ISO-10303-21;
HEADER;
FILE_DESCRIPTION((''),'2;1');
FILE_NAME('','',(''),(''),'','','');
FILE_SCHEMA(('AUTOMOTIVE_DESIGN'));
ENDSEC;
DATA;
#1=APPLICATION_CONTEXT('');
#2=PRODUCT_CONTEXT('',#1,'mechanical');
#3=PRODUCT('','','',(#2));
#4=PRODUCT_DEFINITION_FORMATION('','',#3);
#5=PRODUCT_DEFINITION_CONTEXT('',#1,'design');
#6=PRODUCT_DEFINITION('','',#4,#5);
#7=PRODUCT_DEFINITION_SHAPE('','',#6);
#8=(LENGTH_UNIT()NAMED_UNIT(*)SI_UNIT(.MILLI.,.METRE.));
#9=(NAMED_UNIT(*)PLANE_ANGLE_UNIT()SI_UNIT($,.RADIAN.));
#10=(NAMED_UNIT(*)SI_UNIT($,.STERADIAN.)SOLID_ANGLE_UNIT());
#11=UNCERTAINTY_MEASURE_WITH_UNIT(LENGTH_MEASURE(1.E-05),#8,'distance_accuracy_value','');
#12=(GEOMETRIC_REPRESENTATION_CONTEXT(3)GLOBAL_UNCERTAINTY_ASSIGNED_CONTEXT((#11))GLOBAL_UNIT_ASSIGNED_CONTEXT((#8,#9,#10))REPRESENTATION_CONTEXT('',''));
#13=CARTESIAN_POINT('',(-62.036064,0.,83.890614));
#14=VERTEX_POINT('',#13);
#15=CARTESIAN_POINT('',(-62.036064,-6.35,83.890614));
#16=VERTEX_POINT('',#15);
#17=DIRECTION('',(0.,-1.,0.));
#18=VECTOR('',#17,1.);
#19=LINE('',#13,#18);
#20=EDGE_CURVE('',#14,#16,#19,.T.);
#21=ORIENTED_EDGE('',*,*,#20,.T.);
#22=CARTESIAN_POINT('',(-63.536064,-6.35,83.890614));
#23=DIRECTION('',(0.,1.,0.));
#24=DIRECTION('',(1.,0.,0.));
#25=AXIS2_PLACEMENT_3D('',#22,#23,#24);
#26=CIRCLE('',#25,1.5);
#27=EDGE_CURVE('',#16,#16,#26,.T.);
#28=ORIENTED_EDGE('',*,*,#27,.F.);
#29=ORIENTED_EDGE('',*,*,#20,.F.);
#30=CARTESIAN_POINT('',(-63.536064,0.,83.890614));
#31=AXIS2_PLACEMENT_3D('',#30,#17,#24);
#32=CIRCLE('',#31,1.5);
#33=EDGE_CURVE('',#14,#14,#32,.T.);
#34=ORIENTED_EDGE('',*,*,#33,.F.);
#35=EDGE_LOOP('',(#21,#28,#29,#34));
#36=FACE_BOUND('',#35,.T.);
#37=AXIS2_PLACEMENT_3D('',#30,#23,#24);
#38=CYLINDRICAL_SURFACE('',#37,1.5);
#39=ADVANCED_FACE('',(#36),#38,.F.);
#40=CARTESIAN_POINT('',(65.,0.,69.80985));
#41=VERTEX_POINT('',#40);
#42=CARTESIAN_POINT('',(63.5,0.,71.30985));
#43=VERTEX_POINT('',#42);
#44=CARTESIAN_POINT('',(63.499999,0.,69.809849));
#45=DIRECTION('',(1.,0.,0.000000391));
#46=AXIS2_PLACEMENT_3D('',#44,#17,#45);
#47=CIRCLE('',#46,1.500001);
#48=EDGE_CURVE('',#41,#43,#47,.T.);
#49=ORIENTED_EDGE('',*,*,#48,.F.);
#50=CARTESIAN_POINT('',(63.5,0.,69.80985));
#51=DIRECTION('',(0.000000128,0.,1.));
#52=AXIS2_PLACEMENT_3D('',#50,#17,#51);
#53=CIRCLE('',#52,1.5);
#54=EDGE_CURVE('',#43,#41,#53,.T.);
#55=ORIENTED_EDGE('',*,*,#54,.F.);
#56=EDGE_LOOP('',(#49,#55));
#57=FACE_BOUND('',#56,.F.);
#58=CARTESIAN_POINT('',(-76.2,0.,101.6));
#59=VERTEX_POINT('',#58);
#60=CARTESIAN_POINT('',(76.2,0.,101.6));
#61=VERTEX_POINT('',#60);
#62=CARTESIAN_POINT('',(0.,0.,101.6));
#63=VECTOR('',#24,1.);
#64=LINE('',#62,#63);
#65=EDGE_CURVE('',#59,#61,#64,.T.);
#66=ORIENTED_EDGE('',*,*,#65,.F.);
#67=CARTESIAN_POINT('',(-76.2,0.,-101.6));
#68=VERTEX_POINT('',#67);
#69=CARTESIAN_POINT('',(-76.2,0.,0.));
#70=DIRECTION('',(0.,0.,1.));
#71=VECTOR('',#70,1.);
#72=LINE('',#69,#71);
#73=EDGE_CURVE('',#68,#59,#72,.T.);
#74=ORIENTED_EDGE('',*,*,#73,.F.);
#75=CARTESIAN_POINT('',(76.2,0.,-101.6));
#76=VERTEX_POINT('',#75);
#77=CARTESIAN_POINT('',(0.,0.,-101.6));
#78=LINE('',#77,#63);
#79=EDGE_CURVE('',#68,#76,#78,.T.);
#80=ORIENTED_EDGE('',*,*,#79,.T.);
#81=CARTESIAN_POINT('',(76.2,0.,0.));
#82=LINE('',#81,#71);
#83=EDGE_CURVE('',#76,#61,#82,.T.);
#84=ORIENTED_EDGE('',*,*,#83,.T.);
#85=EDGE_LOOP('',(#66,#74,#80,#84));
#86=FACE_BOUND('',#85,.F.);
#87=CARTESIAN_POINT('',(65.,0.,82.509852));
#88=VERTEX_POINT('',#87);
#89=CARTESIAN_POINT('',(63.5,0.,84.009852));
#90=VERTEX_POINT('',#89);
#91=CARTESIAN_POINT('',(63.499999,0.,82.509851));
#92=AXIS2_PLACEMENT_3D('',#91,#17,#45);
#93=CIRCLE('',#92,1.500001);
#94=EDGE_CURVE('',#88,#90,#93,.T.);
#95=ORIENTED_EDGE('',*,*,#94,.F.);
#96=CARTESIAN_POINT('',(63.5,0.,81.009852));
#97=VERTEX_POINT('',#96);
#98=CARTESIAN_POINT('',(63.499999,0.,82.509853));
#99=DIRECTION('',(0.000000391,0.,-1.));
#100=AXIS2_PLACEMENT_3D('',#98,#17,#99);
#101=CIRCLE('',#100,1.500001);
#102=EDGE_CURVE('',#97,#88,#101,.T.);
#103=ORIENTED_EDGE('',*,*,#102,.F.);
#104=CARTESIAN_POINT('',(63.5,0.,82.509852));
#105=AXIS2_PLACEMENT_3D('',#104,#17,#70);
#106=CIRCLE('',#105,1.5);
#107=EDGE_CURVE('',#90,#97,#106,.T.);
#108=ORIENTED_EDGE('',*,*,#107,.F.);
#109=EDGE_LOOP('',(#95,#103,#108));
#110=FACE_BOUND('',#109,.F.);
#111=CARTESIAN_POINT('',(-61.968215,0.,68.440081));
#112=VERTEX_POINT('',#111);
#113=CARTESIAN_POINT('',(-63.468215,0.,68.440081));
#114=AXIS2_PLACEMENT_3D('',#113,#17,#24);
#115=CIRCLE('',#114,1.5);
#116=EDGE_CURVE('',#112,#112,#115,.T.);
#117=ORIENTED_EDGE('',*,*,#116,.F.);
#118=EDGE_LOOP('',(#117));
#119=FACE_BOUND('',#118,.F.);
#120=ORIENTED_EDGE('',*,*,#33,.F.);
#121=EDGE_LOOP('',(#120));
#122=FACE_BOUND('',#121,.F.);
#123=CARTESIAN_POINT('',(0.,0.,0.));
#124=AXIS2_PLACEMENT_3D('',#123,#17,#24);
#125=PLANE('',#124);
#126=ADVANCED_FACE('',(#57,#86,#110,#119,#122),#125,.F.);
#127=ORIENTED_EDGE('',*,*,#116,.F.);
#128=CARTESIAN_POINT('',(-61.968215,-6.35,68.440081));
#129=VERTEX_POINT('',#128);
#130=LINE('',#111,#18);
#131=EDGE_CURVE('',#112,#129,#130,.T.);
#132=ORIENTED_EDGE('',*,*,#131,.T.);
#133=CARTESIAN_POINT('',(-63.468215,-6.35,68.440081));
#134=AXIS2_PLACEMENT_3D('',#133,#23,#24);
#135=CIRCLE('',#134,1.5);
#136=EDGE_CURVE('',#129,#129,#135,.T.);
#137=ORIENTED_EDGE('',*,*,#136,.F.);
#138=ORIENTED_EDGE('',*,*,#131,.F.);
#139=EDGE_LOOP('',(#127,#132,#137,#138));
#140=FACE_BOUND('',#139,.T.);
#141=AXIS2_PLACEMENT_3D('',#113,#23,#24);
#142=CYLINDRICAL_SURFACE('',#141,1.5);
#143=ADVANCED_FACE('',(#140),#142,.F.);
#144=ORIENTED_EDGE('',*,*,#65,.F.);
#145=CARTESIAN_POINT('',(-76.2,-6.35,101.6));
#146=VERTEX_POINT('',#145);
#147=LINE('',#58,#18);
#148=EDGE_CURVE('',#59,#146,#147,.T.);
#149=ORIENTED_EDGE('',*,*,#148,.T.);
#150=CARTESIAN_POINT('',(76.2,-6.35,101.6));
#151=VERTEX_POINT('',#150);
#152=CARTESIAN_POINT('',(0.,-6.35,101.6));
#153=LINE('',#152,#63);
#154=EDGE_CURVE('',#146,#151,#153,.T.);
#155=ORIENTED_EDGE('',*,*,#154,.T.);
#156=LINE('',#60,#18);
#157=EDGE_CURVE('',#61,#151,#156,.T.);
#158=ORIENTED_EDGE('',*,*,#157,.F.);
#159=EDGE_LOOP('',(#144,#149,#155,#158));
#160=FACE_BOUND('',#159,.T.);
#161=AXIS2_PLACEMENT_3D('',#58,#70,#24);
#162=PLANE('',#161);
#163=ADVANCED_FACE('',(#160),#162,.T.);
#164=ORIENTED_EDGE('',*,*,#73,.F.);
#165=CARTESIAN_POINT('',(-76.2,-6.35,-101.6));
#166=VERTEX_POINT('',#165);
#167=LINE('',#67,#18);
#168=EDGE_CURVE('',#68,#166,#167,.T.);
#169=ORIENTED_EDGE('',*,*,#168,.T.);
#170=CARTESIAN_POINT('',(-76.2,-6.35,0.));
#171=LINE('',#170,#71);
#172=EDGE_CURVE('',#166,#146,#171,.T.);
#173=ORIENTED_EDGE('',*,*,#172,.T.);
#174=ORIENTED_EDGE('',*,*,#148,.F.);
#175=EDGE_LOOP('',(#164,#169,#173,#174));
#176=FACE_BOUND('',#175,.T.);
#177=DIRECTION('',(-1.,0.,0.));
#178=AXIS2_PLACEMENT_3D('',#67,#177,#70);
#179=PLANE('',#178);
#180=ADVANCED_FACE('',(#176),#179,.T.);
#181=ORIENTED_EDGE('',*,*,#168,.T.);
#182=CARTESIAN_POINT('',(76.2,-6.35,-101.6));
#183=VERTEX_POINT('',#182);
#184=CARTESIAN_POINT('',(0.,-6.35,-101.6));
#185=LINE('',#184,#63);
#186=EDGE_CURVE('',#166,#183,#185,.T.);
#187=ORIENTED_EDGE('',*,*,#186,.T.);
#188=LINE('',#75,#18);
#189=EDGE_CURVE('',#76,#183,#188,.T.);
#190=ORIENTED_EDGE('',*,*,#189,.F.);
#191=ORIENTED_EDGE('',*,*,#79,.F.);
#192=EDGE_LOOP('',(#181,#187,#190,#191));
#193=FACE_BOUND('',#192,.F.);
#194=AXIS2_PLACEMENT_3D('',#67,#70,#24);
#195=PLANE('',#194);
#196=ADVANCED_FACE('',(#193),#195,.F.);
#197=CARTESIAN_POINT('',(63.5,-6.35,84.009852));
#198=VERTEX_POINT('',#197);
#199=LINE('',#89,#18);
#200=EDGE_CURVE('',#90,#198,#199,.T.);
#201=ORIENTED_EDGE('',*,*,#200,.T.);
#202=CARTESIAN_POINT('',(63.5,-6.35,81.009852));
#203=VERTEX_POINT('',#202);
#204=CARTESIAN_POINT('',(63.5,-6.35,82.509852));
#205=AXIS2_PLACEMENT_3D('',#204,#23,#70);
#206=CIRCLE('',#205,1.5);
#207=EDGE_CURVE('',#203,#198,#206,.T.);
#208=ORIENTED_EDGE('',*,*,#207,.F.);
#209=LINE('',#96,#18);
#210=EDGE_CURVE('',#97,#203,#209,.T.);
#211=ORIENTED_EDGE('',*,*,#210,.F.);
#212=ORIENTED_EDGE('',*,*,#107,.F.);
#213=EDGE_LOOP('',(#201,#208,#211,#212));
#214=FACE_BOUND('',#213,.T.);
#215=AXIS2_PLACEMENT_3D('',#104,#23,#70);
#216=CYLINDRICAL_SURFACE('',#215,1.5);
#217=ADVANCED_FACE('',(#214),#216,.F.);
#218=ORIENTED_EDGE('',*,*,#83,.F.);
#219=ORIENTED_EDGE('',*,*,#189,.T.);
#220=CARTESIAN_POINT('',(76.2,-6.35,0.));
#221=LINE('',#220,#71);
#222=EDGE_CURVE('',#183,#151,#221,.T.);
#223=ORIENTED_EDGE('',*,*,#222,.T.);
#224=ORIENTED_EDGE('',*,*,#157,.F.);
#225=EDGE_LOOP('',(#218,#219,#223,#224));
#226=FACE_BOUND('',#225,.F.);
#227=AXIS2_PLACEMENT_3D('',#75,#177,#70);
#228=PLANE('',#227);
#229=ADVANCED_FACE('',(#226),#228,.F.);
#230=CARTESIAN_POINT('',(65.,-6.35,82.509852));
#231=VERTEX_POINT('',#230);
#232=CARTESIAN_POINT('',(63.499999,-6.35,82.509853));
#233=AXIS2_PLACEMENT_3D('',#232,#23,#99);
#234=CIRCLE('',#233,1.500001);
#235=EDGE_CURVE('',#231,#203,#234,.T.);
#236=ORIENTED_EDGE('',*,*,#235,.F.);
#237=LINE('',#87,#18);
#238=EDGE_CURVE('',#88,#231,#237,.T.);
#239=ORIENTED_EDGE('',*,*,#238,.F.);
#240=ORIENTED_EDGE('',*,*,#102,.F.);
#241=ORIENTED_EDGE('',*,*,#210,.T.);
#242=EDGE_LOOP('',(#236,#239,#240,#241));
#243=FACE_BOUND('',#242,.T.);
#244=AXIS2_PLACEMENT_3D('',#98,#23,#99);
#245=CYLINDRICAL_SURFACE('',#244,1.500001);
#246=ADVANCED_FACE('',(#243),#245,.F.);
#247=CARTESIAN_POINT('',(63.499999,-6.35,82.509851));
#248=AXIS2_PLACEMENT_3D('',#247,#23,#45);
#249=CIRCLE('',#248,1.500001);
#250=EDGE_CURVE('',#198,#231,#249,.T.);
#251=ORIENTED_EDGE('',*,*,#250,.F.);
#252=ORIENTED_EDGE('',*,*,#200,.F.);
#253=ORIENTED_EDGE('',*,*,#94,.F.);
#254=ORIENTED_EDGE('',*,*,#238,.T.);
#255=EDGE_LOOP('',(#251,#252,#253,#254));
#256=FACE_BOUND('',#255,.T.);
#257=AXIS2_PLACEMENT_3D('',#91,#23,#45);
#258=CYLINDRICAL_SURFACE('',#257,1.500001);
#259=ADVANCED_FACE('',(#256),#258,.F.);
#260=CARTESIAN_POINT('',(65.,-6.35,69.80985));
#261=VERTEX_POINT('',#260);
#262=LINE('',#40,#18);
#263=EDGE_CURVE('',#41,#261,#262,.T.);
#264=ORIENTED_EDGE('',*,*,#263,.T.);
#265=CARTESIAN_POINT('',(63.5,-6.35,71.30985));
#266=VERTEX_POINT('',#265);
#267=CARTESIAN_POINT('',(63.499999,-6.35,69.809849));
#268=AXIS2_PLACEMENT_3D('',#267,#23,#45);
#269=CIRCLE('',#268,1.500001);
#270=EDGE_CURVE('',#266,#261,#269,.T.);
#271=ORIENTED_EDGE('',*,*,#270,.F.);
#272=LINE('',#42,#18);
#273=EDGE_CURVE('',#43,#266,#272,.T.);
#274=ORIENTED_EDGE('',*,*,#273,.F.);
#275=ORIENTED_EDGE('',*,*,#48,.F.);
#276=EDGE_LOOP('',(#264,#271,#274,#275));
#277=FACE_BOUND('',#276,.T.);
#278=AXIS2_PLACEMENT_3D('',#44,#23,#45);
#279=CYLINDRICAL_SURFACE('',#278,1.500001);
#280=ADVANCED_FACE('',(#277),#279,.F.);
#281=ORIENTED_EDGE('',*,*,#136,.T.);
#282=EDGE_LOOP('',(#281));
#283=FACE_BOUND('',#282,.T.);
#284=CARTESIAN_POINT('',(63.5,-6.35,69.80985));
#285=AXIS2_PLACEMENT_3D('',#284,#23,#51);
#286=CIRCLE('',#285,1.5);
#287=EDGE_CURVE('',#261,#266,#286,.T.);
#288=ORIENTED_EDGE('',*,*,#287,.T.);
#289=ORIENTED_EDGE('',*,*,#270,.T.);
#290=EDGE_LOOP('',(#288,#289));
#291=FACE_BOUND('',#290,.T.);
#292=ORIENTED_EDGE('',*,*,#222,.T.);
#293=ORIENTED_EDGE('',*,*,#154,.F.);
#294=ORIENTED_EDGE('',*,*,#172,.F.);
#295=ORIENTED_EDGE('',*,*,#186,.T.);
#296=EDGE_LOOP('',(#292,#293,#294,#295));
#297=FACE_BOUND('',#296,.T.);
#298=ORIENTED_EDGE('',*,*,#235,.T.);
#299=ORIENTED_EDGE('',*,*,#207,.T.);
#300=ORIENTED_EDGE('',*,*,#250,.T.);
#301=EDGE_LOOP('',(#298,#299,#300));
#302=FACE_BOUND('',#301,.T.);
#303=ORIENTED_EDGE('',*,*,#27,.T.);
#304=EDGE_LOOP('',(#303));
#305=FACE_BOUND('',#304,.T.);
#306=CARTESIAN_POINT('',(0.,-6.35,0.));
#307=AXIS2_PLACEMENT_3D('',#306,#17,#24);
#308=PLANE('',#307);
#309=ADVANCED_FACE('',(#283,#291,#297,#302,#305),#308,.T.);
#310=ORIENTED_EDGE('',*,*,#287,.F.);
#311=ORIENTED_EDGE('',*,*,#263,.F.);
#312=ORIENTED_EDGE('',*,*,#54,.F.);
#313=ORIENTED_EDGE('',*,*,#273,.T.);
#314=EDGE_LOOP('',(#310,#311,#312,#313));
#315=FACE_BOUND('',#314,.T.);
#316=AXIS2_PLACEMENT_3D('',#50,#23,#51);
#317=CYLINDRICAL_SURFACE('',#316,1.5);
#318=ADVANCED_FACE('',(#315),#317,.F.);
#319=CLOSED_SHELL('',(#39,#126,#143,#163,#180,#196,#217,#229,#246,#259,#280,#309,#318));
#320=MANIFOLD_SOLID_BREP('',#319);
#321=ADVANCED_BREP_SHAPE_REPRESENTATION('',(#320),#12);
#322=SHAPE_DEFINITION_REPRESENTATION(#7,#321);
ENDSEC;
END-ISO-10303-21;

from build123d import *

# Parameters (mm, degrees)
F0_W     = 152.4
F0_H     = 203.2
F1_DEPTH = 6.35
F2_R     = 1.5
F4_DEPTH = 14.4018
F5_DEPTH = 25.4


with BuildPart() as f1:
    # F0 (on Front) → F1 (new body)
    with BuildSketch(Plane.XZ):
        Rectangle(F0_W, F0_H)
    extrude(amount=F1_DEPTH)

    # F2 (on Front) → F4 (cut)
    with BuildSketch(Plane.XZ):
        with Locations((-63.536064, 83.890614)):
            Circle(F2_R)
        with Locations((-63.468215, 68.440081)):
            Circle(F2_R)
    extrude(amount=F4_DEPTH, mode=Mode.SUBTRACT)

    # F3 (on Front) → F5 (cut)
    with BuildSketch(Plane.XZ):
        with BuildLine():
            ThreePointArc((65, 82.509852), (64.56066, 83.570512), (63.5, 84.009852))
            Line((63.5, 84.009852), (63.5, 82.509852))
            Line((63.5, 82.509852), (63.5, 81.009852))
            ThreePointArc((63.5, 81.009852), (64.56066, 81.449192), (65, 82.509852))
        make_face()
        with BuildLine():
            ThreePointArc((65, 69.80985), (64.56066, 70.87051), (63.5, 71.30985))
            ThreePointArc((63.5, 71.30985), (62.43934, 68.749189), (65, 69.80985))
        make_face()
        with BuildLine():
            Line((63.5, 82.509852), (63.5, 84.009852))
            ThreePointArc((63.5, 84.009852), (62, 82.509852), (63.5, 81.009852))
            Line((63.5, 81.009852), (63.5, 82.509852))
        make_face()
    extrude(amount=F5_DEPTH, mode=Mode.SUBTRACT)


solid = f1.part
